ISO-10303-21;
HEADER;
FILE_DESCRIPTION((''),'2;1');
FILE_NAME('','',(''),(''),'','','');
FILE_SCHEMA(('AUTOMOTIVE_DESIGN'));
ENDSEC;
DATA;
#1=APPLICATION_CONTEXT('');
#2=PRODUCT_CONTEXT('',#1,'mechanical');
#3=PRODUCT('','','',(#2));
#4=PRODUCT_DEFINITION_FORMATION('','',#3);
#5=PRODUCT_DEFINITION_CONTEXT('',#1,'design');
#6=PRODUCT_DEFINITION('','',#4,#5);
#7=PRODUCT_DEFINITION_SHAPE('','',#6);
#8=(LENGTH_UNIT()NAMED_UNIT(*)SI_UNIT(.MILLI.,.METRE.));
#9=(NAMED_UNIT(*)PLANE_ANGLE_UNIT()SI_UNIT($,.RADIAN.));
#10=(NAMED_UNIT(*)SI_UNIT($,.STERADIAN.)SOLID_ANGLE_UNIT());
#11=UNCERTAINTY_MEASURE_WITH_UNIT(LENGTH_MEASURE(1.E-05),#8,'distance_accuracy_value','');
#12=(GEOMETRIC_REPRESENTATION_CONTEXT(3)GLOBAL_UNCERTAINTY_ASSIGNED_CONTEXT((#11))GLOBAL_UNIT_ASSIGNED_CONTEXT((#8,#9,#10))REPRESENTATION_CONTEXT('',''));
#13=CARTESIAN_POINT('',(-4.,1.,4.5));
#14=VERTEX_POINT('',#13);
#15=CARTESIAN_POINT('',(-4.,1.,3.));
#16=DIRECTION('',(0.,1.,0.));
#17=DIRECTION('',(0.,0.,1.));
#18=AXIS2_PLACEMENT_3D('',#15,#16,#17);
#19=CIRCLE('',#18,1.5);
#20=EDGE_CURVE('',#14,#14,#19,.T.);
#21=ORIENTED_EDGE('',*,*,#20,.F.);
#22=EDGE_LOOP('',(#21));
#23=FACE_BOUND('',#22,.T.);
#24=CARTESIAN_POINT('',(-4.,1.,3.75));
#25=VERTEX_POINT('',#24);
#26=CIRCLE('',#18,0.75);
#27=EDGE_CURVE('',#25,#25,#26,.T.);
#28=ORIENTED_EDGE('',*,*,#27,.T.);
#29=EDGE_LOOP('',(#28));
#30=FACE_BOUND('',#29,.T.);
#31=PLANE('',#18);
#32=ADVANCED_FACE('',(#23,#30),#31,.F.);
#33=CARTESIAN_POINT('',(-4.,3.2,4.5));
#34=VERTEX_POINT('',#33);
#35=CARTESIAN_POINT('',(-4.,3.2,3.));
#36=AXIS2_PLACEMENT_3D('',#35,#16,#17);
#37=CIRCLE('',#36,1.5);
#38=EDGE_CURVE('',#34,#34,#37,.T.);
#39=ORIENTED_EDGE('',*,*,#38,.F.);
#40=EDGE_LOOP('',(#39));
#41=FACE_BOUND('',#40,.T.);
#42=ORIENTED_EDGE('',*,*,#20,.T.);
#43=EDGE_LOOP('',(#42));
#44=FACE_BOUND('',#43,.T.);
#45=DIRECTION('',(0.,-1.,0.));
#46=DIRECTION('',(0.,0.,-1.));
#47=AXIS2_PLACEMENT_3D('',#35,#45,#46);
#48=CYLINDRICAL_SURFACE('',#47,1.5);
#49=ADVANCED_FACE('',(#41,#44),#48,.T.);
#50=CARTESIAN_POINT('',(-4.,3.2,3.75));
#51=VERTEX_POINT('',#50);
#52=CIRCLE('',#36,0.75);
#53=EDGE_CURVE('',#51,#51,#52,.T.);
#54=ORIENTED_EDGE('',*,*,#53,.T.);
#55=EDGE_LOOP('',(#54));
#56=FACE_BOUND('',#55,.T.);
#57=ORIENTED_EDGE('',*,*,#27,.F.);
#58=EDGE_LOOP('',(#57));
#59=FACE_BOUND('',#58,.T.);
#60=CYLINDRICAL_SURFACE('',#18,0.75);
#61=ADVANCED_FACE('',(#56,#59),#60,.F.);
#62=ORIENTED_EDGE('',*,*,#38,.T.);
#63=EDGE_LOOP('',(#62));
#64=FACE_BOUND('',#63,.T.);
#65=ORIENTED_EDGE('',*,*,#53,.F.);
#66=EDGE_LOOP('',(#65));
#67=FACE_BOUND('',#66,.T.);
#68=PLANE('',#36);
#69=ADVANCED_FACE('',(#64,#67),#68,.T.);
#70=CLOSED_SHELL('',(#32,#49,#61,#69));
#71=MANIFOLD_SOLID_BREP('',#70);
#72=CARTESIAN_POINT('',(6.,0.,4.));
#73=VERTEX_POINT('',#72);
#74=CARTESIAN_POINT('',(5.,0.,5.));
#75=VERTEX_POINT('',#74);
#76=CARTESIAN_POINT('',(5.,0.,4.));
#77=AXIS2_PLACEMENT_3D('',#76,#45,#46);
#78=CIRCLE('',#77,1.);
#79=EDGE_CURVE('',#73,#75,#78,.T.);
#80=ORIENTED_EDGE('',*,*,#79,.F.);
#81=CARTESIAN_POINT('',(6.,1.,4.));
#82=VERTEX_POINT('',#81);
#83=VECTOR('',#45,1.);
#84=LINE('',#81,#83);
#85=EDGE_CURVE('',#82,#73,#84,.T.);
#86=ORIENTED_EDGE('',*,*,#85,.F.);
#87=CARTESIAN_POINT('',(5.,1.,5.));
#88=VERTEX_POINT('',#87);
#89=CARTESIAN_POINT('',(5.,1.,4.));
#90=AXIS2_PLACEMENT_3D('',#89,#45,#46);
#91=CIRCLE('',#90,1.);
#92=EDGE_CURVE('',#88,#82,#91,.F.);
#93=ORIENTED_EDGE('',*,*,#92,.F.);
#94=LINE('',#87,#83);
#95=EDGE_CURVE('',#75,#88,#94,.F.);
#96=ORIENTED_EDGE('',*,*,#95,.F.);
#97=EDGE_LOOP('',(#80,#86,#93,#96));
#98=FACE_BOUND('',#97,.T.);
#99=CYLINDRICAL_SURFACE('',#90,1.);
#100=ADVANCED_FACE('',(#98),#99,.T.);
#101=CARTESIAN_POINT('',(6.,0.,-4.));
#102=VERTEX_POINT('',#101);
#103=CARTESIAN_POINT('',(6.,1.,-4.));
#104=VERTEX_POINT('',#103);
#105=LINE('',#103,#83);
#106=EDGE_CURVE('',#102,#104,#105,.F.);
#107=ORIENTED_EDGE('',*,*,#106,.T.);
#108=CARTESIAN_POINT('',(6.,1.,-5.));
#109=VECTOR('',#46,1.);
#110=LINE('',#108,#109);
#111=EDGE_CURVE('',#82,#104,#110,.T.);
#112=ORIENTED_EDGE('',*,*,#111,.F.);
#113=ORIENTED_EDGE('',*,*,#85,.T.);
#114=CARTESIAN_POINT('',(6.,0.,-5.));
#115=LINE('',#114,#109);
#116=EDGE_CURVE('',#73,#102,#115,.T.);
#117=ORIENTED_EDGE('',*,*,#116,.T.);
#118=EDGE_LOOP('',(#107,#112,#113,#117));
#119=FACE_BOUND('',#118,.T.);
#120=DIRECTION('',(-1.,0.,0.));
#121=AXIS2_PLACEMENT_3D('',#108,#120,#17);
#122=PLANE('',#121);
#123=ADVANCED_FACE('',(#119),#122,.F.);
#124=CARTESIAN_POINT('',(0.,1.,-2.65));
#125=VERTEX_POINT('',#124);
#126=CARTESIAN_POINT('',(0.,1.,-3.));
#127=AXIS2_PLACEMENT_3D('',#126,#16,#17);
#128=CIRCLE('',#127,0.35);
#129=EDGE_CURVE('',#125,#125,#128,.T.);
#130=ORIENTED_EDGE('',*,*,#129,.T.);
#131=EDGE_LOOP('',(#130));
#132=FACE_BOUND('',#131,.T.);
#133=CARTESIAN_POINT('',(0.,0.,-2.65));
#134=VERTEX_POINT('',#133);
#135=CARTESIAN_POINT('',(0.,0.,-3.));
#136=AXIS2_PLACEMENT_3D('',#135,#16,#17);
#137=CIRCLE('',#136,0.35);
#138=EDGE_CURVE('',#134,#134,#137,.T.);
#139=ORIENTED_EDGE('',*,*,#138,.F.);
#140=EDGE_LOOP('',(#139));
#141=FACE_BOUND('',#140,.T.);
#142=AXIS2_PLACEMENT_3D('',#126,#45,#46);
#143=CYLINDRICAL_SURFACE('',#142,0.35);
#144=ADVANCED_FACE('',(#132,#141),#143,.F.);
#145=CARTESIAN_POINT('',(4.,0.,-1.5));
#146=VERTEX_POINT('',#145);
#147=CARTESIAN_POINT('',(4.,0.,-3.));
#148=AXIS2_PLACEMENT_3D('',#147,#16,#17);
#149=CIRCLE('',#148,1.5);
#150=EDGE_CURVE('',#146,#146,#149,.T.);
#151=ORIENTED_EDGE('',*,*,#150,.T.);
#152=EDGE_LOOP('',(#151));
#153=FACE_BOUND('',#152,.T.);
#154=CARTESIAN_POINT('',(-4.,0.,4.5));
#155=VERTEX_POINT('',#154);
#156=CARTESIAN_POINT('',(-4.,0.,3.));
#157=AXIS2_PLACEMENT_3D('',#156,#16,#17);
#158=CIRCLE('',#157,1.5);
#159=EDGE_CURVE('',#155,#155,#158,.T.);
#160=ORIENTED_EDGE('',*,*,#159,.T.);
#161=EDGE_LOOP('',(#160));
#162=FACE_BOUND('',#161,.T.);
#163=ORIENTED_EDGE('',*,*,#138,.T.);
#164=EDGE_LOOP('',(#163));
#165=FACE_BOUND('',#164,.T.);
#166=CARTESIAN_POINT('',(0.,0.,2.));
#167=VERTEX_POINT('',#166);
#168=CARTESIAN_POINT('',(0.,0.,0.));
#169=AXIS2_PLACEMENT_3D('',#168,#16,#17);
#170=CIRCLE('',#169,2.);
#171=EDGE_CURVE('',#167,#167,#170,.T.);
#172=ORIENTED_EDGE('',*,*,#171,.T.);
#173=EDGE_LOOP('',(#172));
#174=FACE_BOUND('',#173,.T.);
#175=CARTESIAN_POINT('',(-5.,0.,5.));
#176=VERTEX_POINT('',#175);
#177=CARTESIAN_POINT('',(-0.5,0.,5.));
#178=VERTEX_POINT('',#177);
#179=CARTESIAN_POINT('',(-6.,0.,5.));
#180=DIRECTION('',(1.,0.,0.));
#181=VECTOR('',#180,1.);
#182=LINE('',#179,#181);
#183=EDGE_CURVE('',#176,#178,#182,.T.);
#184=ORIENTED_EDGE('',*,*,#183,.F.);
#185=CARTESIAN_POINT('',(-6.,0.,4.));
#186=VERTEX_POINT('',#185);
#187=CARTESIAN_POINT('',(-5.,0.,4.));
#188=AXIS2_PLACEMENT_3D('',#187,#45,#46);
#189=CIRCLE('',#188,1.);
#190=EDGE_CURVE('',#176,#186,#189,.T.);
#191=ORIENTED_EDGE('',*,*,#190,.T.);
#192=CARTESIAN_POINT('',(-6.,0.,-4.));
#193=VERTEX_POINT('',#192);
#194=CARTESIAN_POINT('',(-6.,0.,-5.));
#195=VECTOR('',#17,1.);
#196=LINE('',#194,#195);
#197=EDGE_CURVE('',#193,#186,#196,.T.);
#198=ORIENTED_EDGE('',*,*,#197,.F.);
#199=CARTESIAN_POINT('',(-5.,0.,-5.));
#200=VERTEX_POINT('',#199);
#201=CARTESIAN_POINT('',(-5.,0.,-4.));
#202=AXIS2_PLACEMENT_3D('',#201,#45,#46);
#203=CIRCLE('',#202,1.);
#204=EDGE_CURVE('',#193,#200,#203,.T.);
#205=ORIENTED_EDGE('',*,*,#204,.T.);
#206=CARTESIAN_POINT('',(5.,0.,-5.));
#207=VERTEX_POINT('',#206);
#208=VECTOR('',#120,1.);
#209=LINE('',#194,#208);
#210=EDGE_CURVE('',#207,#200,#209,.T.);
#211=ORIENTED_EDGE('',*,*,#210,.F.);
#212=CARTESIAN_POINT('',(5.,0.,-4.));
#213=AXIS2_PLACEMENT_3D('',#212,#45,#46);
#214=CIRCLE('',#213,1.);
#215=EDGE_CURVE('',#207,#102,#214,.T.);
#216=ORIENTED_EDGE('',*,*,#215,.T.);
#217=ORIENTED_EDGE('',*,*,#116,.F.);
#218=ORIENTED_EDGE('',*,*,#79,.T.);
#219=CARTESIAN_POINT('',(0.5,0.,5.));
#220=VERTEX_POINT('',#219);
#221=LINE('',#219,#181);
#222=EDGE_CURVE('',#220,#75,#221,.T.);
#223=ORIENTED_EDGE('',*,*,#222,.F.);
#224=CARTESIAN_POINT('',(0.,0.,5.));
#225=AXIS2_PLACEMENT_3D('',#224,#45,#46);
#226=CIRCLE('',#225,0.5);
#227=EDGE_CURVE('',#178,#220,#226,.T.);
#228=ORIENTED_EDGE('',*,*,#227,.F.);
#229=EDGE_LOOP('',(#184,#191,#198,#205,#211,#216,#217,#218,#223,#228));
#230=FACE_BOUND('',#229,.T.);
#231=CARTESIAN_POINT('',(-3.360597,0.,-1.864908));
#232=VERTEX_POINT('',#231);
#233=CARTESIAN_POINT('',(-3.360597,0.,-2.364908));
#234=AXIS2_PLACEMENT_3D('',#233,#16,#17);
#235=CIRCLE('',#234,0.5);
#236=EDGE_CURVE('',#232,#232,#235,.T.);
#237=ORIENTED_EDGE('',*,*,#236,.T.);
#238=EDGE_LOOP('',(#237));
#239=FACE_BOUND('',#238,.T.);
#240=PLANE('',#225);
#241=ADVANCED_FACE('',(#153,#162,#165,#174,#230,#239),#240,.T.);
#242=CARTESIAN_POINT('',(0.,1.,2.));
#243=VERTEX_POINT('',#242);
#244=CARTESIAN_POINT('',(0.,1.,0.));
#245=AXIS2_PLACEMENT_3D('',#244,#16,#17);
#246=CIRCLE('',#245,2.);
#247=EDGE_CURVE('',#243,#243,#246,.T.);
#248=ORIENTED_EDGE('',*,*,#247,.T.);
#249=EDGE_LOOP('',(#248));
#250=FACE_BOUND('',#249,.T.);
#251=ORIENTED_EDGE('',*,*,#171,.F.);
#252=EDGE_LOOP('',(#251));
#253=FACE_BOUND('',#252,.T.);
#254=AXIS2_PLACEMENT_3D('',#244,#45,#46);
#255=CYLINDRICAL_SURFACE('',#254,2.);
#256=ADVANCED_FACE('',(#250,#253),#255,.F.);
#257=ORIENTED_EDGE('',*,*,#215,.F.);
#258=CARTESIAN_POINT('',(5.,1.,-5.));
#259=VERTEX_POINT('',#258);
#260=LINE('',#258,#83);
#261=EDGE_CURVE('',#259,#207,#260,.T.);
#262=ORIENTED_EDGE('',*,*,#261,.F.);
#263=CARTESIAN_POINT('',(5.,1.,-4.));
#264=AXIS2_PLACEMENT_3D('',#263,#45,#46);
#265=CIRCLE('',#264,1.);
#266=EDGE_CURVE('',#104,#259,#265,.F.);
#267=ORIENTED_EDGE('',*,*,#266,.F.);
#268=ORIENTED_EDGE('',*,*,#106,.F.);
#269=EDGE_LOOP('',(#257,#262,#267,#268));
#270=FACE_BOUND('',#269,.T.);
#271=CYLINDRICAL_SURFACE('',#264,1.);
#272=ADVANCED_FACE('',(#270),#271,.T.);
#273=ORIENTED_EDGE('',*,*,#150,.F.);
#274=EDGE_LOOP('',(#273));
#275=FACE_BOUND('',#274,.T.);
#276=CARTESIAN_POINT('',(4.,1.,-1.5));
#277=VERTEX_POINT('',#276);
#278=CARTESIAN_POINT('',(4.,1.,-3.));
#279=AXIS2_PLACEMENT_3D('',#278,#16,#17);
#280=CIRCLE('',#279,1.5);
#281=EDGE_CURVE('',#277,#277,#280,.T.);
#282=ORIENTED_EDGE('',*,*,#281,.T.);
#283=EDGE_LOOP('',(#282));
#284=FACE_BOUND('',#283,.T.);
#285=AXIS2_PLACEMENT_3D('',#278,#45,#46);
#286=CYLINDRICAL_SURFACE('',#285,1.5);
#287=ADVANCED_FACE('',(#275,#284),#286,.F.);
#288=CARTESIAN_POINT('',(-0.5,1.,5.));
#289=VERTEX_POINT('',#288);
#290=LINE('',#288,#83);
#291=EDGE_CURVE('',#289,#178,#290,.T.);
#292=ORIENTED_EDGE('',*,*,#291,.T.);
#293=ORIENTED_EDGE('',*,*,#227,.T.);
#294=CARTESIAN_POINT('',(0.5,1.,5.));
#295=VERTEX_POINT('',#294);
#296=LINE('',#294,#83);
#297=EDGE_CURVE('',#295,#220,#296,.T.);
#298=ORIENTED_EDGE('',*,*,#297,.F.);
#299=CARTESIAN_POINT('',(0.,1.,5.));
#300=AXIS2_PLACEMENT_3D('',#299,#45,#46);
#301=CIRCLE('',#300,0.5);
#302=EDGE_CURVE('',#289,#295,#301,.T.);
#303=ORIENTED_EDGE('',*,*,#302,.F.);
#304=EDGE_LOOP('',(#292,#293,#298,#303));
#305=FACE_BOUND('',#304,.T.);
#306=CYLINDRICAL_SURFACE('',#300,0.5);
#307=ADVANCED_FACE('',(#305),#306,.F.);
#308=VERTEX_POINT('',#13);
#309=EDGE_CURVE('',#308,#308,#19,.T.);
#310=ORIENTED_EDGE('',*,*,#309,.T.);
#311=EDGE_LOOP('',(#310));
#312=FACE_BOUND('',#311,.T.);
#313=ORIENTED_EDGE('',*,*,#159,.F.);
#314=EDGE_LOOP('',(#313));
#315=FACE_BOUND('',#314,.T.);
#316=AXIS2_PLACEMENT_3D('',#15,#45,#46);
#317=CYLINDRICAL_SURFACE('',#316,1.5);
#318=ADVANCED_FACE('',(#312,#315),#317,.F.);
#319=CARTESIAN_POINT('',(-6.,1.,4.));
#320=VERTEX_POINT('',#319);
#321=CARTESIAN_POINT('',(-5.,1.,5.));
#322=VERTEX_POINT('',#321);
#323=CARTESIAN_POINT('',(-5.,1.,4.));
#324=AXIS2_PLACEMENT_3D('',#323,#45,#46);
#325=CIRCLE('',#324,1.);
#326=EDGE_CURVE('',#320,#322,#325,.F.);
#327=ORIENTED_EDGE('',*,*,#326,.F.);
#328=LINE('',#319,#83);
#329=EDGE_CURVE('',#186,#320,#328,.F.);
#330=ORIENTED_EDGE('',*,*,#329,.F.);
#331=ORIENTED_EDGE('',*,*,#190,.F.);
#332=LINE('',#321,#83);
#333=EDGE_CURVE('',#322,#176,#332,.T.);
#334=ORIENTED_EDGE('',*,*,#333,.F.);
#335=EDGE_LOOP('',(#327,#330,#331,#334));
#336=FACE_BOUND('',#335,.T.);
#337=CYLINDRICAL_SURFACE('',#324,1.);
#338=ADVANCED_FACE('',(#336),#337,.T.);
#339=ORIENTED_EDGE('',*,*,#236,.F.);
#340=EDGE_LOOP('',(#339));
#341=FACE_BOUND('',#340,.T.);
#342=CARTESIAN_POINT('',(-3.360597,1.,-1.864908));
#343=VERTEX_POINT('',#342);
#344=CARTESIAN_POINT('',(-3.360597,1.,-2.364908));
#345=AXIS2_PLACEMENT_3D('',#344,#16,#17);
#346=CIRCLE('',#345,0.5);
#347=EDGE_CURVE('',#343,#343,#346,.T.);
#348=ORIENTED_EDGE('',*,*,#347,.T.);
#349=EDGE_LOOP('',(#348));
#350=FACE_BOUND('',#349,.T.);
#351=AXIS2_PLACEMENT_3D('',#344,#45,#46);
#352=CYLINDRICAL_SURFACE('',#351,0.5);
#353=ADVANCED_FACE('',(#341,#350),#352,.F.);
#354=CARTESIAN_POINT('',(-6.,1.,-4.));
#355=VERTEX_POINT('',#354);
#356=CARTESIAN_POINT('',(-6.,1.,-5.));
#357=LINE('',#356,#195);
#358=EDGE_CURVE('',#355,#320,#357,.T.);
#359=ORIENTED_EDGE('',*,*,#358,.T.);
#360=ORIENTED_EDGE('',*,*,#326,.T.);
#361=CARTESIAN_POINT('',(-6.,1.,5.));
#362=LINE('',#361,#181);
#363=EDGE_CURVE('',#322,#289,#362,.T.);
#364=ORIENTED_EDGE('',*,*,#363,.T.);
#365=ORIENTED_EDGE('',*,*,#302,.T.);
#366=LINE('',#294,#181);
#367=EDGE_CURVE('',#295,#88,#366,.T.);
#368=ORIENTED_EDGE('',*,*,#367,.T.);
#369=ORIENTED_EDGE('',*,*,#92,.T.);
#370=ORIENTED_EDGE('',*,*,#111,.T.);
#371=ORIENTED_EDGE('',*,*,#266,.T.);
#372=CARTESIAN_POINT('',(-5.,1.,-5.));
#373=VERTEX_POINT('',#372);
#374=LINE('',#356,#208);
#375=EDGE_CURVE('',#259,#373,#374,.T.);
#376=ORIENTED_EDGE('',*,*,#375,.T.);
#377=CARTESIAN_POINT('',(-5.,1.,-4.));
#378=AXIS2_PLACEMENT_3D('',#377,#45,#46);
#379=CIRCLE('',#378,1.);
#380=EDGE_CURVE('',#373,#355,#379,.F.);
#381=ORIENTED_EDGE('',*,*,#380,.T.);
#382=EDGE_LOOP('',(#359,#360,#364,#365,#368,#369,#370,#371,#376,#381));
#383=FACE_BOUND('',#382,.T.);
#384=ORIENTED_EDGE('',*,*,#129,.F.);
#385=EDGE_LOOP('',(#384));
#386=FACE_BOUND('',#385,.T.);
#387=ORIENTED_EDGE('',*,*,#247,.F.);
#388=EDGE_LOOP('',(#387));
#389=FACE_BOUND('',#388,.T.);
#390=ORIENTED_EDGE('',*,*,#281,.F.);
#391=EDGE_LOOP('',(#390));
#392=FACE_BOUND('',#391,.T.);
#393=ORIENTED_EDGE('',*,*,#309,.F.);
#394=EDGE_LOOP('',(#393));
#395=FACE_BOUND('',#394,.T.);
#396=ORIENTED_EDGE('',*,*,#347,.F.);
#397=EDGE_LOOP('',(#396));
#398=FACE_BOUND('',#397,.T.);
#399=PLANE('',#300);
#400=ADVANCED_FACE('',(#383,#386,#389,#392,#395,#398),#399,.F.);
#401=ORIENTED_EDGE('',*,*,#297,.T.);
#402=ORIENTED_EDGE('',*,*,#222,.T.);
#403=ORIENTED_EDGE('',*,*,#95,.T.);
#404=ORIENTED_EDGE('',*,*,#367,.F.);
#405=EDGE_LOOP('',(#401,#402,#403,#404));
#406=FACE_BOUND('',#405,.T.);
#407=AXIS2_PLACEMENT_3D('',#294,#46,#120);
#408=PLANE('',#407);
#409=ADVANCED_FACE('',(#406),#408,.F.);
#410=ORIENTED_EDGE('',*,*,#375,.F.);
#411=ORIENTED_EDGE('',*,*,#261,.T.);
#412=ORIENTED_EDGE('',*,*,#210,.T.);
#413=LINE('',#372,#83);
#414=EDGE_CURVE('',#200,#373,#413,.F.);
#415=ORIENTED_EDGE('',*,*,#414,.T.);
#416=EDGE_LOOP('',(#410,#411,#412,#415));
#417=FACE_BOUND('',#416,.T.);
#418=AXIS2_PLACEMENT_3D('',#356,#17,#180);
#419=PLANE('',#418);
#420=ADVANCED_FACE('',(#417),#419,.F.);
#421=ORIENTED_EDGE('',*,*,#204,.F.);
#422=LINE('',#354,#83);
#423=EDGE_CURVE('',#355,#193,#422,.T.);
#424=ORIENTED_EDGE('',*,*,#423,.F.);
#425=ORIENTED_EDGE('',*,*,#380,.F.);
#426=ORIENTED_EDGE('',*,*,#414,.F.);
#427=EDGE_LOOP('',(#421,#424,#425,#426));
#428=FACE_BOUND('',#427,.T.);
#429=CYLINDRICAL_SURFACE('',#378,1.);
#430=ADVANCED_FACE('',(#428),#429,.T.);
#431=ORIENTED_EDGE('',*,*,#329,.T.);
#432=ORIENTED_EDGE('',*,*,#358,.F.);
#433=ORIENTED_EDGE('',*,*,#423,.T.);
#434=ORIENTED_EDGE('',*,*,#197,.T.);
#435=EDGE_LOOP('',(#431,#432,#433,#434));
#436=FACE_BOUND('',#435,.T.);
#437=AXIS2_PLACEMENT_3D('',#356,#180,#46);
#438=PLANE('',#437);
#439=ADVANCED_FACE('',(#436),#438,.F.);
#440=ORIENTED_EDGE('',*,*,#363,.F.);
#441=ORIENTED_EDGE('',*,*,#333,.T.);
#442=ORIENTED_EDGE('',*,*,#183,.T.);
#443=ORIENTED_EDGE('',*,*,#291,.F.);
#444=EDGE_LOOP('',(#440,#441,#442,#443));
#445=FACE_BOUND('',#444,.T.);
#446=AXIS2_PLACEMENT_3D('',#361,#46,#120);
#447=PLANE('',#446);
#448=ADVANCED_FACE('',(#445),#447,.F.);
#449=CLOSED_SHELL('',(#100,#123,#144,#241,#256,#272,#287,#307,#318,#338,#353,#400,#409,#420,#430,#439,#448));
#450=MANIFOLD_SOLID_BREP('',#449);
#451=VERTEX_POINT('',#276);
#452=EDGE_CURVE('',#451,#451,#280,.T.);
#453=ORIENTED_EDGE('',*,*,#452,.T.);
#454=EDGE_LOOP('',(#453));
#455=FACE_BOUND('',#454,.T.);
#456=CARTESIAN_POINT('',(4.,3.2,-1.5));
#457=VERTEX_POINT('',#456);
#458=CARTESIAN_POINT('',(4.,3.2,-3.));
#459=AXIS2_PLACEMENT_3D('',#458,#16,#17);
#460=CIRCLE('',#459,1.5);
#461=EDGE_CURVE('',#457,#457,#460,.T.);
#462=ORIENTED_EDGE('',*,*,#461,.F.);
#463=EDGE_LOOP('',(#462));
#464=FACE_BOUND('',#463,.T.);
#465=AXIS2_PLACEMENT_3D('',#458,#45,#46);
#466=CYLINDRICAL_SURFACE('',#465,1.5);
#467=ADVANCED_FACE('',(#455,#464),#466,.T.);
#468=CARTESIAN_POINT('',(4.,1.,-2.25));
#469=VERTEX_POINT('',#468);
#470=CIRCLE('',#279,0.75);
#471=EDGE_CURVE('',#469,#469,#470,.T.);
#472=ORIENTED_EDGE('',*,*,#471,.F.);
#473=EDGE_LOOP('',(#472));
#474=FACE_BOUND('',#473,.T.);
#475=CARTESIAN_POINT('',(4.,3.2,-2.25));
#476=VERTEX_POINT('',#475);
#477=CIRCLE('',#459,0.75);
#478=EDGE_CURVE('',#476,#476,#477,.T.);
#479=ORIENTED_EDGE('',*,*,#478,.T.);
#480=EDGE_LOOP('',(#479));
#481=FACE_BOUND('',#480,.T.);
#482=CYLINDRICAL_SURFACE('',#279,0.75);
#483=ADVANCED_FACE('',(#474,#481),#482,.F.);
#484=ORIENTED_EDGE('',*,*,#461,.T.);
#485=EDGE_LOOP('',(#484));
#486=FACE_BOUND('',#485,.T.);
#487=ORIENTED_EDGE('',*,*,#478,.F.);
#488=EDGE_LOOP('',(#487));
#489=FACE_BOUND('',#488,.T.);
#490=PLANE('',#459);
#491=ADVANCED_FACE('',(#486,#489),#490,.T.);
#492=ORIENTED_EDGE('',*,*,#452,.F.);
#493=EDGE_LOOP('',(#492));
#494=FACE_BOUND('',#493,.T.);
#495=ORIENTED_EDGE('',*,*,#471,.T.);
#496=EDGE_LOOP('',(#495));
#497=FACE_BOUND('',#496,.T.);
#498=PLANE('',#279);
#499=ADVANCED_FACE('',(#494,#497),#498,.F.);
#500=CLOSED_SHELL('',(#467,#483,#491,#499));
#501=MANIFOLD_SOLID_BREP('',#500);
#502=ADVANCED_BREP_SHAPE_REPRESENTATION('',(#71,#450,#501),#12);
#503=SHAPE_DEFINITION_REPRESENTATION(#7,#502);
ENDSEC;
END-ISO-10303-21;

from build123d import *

# Parameters (mm, degrees)
CROQUIS1_R                = 1.5
CROQUIS1_R_2              = 2
CROQUIS1_R_3              = 0.35
CROQUIS1_R_4              = 0.5
SALIENTE_EXTRUIR1_DEPTH   = 1
CROQUIS2_R                = 1.5
SALIENTE_EXTRUIR2_DEPTH   = 2.2
SALIENTE_EXTRUIR2_2_DEPTH = 2.2
REDONDEO1_R               = 1
CROQUIS3_R                = 0.75
CORTAR_EXTRUIR1_DEPTH     = 2.2


with BuildPart() as part:
    # Croquis1 → Saliente-Extruir1 (new body)
    with BuildSketch(Plane(origin=(0, 0, 0), x_dir=(1, 0, 0), z_dir=(0, 1, 0))):
        with BuildLine():
            Line((-6, 5), (6, 5))
            Line((6, 5), (6, -5))
            Line((6, -5), (0.5, -5))
            ThreePointArc((0.5, -5), (0, -4.5), (-0.5, -5))
            Line((-0.5, -5), (-6, -5))
            Line((-6, -5), (-6, 5))
        make_face()
        with Locations((4, 3)):
            Circle(CROQUIS1_R, mode=Mode.SUBTRACT)
        with Locations((-4, -3)):
            Circle(CROQUIS1_R, mode=Mode.SUBTRACT)
        Circle(CROQUIS1_R_2, mode=Mode.SUBTRACT)
        with Locations((0, 3)):
            Circle(CROQUIS1_R_3, mode=Mode.SUBTRACT)
        with Locations((-3.360597475, 2.364908389)):
            Circle(CROQUIS1_R_4, mode=Mode.SUBTRACT)
    extrude(amount=SALIENTE_EXTRUIR1_DEPTH)

    # Redondeo1
    redondeo1_edges = [part.edges().sort_by_distance(p)[0] for p in [
        (-6, 0.5, 5),
        (-6, 0.5, -5),
        (6, 0.5, -5),
        (6, 0.5, 5),
    ]]
    fillet(redondeo1_edges, radius=REDONDEO1_R)


with BuildPart() as body_2:
    # Croquis2 → Saliente-Extruir2 (new body)
    with BuildSketch(Plane(origin=(0, 1, 0), x_dir=(1, 0, 0), z_dir=(0, 1, 0))):
        with Locations((4, 3)):
            Circle(CROQUIS2_R)
    extrude(amount=SALIENTE_EXTRUIR2_DEPTH)


with BuildPart() as body_3:
    # Croquis2 → Saliente-Extruir2 2 (new body)
    with BuildSketch(Plane(origin=(0, 1, 0), x_dir=(1, 0, 0), z_dir=(0, 1, 0))):
        with Locations((-4, -3)):
            Circle(CROQUIS2_R)
    extrude(amount=SALIENTE_EXTRUIR2_2_DEPTH)


with BuildPart() as cortar_extruir1_tool:
    # Croquis3 → Cortar-Extruir1 (new body)
    with BuildSketch(Plane(origin=(0, 3.2, 0), x_dir=(1, 0, 0), z_dir=(0, 1, 0))):
        with Locations((4, 3)):
            Circle(CROQUIS3_R)
        with Locations((-4, -3)):
            Circle(CROQUIS3_R)
    extrude(amount=-CORTAR_EXTRUIR1_DEPTH)


with BuildPart() as body_2_1:
    add(body_2.part)

    # Cortar-Extruir1: cut by cortar_extruir1_tool
    add(cortar_extruir1_tool.part, mode=Mode.SUBTRACT)


with BuildPart() as body_3_1:
    add(body_3.part)

    # Cortar-Extruir1: cut by cortar_extruir1_tool
    add(cortar_extruir1_tool.part, mode=Mode.SUBTRACT)


solid = Compound([part.part, body_2_1.part, body_3_1.part])
